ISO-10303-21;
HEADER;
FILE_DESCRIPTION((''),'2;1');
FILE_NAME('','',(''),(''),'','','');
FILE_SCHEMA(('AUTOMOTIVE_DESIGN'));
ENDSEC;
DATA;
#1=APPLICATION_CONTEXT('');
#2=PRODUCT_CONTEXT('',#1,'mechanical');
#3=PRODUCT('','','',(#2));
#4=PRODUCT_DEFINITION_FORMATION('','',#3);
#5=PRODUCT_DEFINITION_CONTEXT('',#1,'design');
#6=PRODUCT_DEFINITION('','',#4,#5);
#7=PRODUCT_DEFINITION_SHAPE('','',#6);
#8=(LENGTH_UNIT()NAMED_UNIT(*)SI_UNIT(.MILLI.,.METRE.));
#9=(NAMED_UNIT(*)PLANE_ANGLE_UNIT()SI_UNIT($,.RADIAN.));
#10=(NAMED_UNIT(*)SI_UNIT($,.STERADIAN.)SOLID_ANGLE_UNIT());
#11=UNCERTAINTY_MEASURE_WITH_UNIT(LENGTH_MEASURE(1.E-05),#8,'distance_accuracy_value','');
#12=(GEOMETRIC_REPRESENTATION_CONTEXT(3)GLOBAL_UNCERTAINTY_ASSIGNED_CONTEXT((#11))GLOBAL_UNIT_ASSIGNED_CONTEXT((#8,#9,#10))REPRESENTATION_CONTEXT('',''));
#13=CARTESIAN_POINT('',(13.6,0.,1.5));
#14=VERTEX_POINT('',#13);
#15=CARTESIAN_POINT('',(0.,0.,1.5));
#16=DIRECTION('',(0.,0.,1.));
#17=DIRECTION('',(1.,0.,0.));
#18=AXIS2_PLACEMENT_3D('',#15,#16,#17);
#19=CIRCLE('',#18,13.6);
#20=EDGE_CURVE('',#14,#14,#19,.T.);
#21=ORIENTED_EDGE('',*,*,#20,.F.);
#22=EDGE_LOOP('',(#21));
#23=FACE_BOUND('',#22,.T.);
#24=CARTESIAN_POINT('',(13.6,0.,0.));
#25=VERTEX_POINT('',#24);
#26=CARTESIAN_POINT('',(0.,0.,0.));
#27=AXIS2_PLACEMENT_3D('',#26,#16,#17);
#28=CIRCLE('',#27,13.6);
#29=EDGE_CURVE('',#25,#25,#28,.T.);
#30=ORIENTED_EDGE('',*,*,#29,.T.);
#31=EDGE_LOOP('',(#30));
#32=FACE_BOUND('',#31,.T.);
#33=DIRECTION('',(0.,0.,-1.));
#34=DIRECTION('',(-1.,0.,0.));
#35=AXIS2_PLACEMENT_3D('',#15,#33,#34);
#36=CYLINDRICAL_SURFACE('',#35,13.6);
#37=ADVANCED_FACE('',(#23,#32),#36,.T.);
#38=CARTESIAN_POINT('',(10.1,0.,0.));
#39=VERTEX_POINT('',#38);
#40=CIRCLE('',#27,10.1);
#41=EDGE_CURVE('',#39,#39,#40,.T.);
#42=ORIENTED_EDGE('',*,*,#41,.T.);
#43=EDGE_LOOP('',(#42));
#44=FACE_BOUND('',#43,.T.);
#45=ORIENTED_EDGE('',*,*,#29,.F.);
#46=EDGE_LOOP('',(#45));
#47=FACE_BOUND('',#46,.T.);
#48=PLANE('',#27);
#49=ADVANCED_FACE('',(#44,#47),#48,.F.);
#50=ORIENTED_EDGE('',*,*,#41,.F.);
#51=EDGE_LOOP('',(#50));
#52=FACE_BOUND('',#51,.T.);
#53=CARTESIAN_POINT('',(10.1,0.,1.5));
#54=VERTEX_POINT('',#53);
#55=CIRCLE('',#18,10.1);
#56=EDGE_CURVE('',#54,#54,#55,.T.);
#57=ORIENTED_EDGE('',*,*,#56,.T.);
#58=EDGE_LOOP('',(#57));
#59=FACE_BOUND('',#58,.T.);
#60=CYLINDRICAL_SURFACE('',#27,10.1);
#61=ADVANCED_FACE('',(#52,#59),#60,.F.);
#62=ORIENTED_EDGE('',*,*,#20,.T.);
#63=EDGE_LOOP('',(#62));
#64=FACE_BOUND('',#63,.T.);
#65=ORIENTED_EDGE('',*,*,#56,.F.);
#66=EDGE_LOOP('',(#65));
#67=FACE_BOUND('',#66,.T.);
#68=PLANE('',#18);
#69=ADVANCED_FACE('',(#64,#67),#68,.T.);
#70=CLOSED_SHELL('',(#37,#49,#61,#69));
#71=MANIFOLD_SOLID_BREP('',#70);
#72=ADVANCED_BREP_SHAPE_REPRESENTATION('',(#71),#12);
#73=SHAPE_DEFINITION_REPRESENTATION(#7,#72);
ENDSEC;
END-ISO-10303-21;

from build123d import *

# Parameters (mm, degrees)
SKETCH1_R           = 13.6
BOSS_EXTRUDE1_DEPTH = 1.5
SKETCH2_R           = 10.1
CUT_EXTRUDE1_DEPTH  = 1.5


with BuildPart() as part:
    # Sketch1 → Boss-Extrude1 (new body)
    with BuildSketch(Plane.XY):
        Circle(SKETCH1_R)
    extrude(amount=BOSS_EXTRUDE1_DEPTH)

    # Sketch2 → Cut-Extrude1 (cut)
    with BuildSketch(Plane.XY.offset(1.5)):
        Circle(SKETCH2_R)
    extrude(amount=-CUT_EXTRUDE1_DEPTH, mode=Mode.SUBTRACT)


solid = part.part
